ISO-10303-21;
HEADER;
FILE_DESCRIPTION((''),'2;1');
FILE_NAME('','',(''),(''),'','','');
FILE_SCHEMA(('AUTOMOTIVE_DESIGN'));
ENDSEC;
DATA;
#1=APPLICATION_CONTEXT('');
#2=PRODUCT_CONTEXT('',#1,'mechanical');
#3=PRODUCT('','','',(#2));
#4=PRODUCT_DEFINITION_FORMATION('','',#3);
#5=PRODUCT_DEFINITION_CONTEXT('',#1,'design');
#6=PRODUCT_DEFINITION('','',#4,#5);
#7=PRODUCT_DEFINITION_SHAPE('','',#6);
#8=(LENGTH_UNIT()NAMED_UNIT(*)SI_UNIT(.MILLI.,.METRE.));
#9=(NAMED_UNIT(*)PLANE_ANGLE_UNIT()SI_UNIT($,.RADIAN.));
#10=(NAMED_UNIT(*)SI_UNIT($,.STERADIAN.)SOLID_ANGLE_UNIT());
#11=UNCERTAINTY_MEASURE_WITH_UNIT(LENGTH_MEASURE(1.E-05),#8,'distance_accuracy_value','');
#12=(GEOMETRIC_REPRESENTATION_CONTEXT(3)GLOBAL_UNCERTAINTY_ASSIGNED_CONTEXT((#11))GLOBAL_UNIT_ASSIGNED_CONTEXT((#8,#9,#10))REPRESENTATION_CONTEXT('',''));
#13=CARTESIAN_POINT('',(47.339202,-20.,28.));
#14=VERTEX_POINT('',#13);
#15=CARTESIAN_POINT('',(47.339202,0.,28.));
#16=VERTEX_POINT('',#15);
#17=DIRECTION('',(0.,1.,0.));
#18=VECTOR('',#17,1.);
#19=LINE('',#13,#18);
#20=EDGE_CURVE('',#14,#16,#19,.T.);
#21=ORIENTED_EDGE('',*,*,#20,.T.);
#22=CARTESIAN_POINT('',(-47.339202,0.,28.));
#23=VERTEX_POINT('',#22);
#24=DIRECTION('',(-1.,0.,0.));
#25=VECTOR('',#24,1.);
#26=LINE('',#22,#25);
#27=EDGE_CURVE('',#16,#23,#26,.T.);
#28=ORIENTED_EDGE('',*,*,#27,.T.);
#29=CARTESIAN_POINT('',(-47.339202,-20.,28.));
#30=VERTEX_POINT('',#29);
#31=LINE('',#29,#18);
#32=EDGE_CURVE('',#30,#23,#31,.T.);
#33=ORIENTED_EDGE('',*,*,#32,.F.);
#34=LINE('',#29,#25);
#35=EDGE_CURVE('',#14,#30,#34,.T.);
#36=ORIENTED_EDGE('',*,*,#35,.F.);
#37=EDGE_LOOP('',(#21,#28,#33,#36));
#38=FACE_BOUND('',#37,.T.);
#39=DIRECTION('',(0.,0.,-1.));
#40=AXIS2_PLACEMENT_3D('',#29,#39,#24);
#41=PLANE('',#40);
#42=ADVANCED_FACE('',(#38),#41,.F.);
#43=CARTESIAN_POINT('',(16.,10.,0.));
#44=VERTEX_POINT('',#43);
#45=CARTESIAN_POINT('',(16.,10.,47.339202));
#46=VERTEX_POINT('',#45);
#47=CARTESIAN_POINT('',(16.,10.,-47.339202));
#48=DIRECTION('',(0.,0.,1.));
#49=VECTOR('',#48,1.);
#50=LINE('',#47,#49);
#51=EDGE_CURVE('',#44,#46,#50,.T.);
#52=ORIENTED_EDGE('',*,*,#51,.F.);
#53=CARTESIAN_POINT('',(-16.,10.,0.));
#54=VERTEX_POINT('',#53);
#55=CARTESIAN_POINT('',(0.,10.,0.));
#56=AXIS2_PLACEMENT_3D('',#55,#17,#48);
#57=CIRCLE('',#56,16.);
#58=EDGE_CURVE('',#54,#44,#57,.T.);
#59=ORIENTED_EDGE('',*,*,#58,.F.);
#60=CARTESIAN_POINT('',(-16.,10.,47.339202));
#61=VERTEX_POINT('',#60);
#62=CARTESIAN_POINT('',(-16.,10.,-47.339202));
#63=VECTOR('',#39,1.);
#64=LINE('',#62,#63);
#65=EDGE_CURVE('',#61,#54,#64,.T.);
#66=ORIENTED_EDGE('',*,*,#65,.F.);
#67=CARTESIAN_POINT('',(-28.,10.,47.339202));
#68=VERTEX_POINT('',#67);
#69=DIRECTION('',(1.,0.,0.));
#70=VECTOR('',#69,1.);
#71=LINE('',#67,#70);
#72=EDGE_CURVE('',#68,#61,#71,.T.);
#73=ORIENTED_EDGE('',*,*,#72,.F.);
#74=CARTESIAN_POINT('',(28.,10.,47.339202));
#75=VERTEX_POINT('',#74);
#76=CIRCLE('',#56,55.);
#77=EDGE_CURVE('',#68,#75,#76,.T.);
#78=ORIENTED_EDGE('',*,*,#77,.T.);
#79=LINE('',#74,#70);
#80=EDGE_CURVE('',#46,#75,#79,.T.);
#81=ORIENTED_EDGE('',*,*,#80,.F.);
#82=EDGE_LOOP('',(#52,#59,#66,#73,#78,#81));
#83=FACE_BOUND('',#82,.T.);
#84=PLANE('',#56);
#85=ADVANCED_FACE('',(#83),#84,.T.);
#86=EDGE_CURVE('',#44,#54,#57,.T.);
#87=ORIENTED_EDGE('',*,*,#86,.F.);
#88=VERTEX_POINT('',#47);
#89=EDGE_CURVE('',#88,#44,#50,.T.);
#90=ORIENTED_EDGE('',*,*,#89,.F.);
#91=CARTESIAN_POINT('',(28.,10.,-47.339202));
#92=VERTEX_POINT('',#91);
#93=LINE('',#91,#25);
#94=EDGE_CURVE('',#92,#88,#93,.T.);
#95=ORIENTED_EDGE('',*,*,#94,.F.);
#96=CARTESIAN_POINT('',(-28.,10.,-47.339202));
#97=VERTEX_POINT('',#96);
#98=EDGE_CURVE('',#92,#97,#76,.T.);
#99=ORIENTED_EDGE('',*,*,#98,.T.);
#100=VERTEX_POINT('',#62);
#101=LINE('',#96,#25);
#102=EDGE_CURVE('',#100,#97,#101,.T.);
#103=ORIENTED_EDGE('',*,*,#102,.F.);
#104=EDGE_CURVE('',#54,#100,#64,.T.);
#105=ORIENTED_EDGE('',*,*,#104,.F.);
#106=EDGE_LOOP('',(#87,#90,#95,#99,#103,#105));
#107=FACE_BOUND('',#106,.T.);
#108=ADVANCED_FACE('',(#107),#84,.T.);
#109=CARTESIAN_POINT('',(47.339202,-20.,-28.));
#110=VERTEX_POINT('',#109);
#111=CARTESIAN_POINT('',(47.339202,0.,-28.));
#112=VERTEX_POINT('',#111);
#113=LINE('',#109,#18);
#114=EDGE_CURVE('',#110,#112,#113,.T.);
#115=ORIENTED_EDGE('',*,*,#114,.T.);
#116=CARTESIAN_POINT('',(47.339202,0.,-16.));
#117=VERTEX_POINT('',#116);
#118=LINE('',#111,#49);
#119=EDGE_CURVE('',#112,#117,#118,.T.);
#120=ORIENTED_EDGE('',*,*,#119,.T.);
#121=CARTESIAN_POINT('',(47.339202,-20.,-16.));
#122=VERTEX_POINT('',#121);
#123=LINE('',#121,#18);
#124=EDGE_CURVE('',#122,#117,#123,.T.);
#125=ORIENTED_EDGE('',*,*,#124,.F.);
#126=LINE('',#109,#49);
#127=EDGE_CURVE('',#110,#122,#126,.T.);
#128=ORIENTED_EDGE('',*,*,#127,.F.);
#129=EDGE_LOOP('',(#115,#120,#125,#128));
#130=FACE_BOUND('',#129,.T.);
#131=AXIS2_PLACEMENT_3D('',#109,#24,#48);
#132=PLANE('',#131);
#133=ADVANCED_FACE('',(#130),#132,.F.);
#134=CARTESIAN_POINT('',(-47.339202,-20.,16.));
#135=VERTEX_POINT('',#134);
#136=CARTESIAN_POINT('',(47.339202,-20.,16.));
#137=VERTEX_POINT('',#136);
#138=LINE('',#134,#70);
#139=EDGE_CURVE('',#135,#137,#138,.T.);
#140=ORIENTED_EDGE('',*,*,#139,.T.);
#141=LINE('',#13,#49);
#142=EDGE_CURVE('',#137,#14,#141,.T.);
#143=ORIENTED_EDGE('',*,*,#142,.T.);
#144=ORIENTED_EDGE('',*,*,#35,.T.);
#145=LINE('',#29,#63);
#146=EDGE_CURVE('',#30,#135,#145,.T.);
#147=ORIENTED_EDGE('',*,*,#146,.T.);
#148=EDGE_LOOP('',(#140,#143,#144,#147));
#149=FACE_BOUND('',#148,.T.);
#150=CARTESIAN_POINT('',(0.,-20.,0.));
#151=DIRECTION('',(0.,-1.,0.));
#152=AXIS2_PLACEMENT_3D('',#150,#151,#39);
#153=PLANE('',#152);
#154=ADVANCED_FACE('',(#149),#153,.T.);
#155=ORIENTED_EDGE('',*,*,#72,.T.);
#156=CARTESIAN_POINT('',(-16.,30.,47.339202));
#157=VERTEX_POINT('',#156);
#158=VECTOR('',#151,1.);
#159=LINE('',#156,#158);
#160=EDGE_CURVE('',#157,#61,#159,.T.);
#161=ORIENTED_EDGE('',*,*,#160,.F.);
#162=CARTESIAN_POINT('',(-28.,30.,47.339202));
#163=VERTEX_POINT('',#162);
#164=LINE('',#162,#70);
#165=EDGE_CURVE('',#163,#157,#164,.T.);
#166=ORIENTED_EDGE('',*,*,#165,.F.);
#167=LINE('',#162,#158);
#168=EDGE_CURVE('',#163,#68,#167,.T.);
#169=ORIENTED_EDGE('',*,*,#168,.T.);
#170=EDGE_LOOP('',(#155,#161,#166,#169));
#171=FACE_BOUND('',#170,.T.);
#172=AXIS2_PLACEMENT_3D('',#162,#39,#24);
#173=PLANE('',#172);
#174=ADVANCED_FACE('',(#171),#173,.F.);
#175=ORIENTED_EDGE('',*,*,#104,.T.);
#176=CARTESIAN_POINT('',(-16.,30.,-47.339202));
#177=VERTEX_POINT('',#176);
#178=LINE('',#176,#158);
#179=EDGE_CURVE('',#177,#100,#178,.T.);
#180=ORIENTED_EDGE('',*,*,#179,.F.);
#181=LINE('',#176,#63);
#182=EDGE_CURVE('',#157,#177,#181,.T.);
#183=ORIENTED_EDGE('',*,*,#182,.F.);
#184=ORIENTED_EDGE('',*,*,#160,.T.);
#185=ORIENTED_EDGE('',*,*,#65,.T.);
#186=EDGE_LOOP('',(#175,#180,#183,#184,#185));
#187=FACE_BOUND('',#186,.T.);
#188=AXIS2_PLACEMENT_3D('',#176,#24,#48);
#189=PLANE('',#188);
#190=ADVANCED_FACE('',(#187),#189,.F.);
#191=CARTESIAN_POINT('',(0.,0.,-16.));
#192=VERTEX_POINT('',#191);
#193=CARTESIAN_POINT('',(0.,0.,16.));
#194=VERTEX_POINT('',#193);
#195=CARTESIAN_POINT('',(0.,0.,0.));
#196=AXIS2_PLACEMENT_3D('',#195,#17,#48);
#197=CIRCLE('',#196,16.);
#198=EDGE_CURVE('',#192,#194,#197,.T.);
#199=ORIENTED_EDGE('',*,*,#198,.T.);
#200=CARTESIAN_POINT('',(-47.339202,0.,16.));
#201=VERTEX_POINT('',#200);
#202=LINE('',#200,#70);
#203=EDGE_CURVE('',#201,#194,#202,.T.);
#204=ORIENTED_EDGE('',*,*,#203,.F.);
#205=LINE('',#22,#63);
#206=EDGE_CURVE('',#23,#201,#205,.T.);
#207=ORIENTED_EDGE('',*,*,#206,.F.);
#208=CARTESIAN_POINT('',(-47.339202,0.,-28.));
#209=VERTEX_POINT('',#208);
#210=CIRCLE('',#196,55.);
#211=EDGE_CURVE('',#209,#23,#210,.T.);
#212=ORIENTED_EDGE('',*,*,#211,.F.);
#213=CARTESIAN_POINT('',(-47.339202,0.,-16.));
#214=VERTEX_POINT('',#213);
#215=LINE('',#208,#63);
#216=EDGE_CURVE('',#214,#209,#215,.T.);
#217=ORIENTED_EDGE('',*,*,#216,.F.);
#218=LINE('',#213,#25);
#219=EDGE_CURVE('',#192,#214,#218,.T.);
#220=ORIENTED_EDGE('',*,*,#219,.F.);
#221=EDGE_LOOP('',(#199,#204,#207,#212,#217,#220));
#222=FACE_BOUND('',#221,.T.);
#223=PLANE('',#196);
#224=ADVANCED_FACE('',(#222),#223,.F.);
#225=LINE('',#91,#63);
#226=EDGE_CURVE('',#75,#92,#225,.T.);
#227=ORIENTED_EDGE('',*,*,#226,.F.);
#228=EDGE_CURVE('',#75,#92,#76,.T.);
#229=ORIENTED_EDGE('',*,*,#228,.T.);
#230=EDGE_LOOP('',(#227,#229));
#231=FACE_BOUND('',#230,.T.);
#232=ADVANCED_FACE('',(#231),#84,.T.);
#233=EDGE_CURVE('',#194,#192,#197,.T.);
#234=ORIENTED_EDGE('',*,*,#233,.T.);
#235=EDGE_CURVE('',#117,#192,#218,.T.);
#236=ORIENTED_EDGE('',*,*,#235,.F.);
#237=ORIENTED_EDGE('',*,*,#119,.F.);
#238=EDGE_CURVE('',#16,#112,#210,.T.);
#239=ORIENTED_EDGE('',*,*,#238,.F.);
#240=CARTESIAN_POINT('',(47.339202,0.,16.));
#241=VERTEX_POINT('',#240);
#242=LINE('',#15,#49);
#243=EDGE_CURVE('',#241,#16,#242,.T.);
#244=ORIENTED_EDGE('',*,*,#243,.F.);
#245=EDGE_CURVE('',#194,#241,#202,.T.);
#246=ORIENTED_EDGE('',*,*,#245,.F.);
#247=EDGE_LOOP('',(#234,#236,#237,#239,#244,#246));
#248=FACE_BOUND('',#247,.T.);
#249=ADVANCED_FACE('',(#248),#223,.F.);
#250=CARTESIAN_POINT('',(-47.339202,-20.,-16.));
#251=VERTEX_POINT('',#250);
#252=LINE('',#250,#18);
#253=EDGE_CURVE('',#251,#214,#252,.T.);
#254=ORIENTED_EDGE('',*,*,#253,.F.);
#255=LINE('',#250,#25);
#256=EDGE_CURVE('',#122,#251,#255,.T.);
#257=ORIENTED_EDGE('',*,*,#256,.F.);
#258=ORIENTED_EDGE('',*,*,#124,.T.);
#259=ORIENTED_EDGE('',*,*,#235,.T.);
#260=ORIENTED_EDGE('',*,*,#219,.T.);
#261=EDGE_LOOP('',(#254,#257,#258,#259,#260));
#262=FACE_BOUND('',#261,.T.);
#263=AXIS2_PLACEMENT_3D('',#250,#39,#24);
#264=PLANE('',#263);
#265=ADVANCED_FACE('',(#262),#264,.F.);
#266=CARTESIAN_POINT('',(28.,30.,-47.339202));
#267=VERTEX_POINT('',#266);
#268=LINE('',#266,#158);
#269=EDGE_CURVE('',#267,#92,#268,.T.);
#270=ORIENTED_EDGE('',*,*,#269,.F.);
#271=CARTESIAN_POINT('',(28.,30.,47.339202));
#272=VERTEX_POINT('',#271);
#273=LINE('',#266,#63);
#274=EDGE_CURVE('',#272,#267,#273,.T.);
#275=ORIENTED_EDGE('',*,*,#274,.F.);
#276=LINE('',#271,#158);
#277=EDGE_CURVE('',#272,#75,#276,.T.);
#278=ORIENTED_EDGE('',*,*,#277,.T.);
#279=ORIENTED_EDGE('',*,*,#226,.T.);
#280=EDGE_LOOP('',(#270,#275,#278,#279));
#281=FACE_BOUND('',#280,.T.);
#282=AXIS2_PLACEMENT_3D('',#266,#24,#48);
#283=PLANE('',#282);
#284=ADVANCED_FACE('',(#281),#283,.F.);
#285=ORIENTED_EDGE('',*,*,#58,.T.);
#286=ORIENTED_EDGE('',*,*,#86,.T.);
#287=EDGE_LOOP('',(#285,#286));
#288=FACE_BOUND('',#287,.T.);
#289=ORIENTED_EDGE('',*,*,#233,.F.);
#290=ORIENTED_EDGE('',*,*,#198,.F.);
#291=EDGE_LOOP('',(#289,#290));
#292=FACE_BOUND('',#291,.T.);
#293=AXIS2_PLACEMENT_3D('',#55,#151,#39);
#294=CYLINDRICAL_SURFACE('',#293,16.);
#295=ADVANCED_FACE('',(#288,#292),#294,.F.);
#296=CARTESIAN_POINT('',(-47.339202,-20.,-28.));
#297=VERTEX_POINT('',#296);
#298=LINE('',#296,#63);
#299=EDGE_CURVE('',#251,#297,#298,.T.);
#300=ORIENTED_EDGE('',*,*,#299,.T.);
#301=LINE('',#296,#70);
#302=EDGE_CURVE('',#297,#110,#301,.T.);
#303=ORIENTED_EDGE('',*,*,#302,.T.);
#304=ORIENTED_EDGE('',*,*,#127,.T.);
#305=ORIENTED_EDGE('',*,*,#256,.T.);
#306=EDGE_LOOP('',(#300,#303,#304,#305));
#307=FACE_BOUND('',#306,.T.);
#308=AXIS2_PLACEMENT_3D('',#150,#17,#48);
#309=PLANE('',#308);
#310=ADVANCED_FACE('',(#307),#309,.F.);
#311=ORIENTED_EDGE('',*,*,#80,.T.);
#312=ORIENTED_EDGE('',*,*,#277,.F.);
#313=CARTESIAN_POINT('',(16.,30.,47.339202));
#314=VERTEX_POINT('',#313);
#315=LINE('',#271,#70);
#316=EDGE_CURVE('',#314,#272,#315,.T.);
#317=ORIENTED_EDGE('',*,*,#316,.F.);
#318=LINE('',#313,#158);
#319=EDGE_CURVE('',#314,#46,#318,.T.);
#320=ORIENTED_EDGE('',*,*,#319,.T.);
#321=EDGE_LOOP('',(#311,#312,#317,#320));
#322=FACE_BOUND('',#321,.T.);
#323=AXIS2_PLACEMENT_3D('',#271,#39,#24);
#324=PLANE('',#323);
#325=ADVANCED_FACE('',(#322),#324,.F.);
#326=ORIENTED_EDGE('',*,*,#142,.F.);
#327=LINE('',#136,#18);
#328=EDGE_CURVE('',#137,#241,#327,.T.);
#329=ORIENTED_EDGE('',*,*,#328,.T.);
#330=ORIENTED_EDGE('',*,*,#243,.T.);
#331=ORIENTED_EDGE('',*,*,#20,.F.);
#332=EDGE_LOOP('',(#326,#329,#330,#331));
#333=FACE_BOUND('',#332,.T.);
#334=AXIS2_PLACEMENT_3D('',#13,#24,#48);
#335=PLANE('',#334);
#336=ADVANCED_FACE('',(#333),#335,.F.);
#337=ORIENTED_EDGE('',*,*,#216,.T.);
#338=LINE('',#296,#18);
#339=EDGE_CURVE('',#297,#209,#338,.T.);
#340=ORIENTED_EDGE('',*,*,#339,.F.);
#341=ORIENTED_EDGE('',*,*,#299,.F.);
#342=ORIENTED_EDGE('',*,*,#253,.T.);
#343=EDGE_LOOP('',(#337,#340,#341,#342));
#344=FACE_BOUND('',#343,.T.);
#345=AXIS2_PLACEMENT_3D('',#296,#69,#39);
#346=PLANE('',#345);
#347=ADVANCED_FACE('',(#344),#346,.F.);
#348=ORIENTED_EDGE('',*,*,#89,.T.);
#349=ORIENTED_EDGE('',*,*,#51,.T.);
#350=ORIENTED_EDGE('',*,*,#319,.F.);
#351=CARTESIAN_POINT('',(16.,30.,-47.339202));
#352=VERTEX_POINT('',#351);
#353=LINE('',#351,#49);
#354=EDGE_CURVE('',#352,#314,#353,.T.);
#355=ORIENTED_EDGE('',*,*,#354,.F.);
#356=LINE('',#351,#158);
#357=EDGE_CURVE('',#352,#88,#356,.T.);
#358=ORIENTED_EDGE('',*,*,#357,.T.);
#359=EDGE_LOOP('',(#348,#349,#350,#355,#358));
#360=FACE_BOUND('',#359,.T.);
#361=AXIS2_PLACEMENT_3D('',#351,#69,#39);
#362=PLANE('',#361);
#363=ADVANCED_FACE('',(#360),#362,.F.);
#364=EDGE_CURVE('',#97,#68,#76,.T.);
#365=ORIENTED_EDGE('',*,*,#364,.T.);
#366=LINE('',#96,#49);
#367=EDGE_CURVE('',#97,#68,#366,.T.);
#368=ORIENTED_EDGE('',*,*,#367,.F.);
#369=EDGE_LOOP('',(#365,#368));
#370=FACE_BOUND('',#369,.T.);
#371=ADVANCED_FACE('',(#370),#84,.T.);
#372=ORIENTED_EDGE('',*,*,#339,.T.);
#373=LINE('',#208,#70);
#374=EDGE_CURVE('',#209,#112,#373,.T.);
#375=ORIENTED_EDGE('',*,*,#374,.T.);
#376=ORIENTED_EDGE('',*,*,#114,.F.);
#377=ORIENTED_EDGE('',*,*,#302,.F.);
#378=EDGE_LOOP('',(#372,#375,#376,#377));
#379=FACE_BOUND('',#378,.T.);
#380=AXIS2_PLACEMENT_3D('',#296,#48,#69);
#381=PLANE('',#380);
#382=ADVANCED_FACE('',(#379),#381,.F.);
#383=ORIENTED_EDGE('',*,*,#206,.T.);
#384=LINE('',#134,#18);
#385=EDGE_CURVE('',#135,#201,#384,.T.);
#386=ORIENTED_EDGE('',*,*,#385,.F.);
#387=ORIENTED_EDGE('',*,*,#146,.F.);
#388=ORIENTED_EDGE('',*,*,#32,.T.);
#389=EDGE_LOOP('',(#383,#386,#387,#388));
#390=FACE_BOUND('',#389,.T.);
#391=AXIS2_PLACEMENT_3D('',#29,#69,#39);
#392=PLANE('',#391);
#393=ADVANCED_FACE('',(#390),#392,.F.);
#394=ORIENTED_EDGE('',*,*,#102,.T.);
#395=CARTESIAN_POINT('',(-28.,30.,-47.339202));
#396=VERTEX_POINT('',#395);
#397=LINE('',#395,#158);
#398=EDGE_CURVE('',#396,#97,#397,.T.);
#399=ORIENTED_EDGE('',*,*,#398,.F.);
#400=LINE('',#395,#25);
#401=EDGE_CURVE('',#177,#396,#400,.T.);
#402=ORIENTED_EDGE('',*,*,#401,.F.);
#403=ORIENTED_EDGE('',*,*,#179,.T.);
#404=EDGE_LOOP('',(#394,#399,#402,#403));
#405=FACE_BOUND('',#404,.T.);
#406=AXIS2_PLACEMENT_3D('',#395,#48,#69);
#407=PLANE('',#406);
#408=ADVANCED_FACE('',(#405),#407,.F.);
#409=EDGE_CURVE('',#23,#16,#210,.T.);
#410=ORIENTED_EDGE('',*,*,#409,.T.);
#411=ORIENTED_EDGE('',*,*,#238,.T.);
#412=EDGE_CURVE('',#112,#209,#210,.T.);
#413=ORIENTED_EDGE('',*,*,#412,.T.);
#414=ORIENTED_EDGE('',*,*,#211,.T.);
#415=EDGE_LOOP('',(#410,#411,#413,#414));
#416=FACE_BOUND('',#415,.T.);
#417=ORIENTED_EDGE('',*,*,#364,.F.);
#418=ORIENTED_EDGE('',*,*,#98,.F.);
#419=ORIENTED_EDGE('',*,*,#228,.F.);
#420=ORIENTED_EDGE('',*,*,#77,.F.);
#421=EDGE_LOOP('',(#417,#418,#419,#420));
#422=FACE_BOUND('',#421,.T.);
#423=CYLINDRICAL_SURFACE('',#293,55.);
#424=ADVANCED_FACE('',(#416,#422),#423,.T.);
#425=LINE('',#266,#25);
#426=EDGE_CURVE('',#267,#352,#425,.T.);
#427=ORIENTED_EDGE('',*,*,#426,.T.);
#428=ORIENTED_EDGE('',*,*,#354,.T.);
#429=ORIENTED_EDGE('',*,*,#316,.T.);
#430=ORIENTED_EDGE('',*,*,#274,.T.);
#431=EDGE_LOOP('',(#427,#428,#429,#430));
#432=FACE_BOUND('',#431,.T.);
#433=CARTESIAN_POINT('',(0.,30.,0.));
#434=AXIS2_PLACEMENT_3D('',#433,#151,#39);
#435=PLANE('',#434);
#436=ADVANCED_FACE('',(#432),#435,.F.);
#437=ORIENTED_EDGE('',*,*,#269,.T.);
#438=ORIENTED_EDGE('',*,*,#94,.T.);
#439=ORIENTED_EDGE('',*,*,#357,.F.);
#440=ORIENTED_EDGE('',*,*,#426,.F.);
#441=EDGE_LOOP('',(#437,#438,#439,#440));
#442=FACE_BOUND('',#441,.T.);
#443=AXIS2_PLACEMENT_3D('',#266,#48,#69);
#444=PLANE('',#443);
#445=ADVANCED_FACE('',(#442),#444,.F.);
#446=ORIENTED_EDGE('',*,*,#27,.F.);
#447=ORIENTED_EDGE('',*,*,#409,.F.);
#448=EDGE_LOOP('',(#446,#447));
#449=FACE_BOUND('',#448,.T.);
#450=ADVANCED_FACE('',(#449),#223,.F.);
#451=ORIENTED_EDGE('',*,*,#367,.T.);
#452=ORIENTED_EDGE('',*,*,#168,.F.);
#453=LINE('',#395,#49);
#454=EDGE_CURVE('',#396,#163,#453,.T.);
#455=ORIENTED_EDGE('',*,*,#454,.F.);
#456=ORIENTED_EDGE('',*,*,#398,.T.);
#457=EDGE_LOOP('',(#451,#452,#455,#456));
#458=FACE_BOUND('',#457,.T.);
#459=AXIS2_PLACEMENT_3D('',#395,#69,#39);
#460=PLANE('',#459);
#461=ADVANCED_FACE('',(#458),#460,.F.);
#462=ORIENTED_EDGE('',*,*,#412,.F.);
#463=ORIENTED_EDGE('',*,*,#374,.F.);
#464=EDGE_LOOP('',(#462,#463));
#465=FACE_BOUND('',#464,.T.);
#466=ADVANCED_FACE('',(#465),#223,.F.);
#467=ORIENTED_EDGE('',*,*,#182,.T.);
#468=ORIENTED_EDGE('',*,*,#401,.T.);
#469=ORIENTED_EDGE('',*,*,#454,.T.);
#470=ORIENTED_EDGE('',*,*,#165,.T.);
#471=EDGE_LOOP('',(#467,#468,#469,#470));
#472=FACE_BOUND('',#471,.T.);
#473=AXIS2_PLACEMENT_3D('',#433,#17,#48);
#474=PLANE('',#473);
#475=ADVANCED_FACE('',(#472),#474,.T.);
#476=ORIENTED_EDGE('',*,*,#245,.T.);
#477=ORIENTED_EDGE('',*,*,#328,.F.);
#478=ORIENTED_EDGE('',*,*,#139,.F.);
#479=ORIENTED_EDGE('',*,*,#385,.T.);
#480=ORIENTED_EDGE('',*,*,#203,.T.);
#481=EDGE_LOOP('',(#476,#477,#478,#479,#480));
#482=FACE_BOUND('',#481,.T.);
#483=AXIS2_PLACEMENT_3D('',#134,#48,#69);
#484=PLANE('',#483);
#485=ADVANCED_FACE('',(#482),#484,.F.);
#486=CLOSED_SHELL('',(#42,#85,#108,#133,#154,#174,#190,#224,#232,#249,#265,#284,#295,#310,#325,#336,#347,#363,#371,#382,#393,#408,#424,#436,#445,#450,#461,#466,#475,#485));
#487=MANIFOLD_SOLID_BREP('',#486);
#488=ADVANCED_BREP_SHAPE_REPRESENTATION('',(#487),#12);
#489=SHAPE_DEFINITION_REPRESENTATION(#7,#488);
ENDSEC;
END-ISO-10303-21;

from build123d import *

# Parameters (mm, degrees)
SKETCH1_R           = 55
SKETCH1_R_2         = 16
BOSS_EXTRUDE1_DEPTH = 10
SKETCH2_W           = 12
SKETCH2_H           = 94.678403028
BOSS_EXTRUDE2_DEPTH = 20
SKETCH4_W           = 94.678403028
SKETCH4_H           = 12
BOSS_EXTRUDE3_DEPTH = 20


with BuildPart() as part:
    # Sketch1 → Boss-Extrude1 (new body)
    with BuildSketch(Plane(origin=(0, 0, 0), x_dir=(1, 0, 0), z_dir=(0, 1, 0))):
        with Locations(Location((0, 0, 0), (0, 0, 270))):
            Circle(SKETCH1_R)
        with Locations(Location((0, 0, 0), (0, 0, 270))):
            Circle(SKETCH1_R_2, mode=Mode.SUBTRACT)
    extrude(amount=BOSS_EXTRUDE1_DEPTH)

    # Sketch2 → Boss-Extrude2 (add)
    with BuildSketch(Plane(origin=(0, 10, 0), x_dir=(1, 0, 0), z_dir=(0, 1, 0))):
        with Locations((22, 0)):
            Rectangle(SKETCH2_W, SKETCH2_H)
        with Locations((-22, 0)):
            Rectangle(SKETCH2_W, SKETCH2_H)
    extrude(amount=BOSS_EXTRUDE2_DEPTH)

    # Sketch4 → Boss-Extrude3 (add)
    with BuildSketch(Plane.XZ):
        with Locations((0, 22)):
            Rectangle(SKETCH4_W, SKETCH4_H)
        with Locations((0, -22)):
            Rectangle(SKETCH4_W, SKETCH4_H)
    extrude(amount=BOSS_EXTRUDE3_DEPTH)


solid = part.part
